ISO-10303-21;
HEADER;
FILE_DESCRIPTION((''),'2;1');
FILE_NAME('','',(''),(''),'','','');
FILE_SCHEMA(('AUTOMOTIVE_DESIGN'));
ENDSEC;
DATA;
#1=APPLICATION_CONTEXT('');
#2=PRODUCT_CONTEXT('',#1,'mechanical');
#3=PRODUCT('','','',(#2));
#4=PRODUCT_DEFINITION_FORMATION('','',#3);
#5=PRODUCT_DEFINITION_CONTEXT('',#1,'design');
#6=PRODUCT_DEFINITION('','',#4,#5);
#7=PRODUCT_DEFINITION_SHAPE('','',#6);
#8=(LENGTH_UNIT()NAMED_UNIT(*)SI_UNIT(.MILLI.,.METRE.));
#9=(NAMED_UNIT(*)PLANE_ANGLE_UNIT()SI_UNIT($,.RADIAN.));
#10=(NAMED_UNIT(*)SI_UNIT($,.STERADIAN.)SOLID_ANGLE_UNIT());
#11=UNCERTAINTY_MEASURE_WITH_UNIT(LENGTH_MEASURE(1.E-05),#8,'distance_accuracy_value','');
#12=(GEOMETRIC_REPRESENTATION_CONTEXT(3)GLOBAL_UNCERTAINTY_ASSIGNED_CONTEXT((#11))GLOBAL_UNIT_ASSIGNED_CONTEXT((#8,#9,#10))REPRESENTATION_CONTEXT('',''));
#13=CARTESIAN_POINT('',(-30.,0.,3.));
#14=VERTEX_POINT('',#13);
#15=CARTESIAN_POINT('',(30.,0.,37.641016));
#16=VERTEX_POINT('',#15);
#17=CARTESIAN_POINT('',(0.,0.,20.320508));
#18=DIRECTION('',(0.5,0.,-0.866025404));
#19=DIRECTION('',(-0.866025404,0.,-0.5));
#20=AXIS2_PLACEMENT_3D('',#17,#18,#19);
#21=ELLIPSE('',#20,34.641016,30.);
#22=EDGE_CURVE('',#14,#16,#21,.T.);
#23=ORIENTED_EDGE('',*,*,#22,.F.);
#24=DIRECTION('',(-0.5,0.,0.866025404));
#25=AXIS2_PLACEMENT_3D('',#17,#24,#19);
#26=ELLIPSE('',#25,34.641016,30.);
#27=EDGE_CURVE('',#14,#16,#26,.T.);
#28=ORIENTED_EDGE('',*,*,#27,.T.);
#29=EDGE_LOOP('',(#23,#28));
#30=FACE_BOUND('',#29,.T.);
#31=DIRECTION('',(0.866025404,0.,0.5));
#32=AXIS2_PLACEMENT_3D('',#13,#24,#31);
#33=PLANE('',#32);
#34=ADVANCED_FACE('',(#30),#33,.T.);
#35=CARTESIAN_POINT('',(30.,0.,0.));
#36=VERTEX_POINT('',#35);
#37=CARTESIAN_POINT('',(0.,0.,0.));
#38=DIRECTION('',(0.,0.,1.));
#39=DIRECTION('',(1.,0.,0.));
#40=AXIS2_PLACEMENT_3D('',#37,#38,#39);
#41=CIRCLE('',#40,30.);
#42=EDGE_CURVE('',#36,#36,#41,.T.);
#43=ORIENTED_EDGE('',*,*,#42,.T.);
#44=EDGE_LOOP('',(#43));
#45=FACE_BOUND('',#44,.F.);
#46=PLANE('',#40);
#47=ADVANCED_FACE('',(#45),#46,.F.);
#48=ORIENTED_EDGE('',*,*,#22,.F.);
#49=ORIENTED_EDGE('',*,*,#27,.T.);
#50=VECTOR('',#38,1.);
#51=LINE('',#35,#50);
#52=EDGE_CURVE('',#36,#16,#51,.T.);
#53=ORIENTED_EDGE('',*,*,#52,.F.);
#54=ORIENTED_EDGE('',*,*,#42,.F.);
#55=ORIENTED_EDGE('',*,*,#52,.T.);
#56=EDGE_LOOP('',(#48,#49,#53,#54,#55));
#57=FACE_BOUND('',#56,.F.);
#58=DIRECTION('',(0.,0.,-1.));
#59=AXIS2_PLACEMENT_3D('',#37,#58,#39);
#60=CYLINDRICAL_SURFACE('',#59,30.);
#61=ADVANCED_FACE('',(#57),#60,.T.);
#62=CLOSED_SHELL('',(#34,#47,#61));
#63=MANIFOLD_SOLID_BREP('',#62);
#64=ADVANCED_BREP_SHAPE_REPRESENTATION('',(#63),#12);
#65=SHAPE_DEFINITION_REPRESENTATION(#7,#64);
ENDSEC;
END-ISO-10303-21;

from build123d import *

# Parameters (mm, degrees)
F0_R          = 30
F1_DEPTH      = 40
F3_DEPTH      = 30.001
F3_DEPTH_BACK = 30.001


with BuildPart() as f1:
    # F0 (on Top) → F1 (new body)
    with BuildSketch(Plane.XY):
        Circle(F0_R)
    extrude(amount=F1_DEPTH)

    # F2 (on Front) → F3 (cut, two sides)
    with BuildSketch(Plane.XZ) as f3_sk:
        Polygon((-35.1247489452, 3), (-30, 3), (30, 37.6410161514), (35.4455187917, 37.6410161514), (35.4455187917, 50.6822839379), (-35.1247489452, 50.6822839379), align=None)
    extrude(amount=-F3_DEPTH, mode=Mode.SUBTRACT)
    extrude(f3_sk.sketch, amount=F3_DEPTH_BACK, mode=Mode.SUBTRACT)


solid = f1.part
